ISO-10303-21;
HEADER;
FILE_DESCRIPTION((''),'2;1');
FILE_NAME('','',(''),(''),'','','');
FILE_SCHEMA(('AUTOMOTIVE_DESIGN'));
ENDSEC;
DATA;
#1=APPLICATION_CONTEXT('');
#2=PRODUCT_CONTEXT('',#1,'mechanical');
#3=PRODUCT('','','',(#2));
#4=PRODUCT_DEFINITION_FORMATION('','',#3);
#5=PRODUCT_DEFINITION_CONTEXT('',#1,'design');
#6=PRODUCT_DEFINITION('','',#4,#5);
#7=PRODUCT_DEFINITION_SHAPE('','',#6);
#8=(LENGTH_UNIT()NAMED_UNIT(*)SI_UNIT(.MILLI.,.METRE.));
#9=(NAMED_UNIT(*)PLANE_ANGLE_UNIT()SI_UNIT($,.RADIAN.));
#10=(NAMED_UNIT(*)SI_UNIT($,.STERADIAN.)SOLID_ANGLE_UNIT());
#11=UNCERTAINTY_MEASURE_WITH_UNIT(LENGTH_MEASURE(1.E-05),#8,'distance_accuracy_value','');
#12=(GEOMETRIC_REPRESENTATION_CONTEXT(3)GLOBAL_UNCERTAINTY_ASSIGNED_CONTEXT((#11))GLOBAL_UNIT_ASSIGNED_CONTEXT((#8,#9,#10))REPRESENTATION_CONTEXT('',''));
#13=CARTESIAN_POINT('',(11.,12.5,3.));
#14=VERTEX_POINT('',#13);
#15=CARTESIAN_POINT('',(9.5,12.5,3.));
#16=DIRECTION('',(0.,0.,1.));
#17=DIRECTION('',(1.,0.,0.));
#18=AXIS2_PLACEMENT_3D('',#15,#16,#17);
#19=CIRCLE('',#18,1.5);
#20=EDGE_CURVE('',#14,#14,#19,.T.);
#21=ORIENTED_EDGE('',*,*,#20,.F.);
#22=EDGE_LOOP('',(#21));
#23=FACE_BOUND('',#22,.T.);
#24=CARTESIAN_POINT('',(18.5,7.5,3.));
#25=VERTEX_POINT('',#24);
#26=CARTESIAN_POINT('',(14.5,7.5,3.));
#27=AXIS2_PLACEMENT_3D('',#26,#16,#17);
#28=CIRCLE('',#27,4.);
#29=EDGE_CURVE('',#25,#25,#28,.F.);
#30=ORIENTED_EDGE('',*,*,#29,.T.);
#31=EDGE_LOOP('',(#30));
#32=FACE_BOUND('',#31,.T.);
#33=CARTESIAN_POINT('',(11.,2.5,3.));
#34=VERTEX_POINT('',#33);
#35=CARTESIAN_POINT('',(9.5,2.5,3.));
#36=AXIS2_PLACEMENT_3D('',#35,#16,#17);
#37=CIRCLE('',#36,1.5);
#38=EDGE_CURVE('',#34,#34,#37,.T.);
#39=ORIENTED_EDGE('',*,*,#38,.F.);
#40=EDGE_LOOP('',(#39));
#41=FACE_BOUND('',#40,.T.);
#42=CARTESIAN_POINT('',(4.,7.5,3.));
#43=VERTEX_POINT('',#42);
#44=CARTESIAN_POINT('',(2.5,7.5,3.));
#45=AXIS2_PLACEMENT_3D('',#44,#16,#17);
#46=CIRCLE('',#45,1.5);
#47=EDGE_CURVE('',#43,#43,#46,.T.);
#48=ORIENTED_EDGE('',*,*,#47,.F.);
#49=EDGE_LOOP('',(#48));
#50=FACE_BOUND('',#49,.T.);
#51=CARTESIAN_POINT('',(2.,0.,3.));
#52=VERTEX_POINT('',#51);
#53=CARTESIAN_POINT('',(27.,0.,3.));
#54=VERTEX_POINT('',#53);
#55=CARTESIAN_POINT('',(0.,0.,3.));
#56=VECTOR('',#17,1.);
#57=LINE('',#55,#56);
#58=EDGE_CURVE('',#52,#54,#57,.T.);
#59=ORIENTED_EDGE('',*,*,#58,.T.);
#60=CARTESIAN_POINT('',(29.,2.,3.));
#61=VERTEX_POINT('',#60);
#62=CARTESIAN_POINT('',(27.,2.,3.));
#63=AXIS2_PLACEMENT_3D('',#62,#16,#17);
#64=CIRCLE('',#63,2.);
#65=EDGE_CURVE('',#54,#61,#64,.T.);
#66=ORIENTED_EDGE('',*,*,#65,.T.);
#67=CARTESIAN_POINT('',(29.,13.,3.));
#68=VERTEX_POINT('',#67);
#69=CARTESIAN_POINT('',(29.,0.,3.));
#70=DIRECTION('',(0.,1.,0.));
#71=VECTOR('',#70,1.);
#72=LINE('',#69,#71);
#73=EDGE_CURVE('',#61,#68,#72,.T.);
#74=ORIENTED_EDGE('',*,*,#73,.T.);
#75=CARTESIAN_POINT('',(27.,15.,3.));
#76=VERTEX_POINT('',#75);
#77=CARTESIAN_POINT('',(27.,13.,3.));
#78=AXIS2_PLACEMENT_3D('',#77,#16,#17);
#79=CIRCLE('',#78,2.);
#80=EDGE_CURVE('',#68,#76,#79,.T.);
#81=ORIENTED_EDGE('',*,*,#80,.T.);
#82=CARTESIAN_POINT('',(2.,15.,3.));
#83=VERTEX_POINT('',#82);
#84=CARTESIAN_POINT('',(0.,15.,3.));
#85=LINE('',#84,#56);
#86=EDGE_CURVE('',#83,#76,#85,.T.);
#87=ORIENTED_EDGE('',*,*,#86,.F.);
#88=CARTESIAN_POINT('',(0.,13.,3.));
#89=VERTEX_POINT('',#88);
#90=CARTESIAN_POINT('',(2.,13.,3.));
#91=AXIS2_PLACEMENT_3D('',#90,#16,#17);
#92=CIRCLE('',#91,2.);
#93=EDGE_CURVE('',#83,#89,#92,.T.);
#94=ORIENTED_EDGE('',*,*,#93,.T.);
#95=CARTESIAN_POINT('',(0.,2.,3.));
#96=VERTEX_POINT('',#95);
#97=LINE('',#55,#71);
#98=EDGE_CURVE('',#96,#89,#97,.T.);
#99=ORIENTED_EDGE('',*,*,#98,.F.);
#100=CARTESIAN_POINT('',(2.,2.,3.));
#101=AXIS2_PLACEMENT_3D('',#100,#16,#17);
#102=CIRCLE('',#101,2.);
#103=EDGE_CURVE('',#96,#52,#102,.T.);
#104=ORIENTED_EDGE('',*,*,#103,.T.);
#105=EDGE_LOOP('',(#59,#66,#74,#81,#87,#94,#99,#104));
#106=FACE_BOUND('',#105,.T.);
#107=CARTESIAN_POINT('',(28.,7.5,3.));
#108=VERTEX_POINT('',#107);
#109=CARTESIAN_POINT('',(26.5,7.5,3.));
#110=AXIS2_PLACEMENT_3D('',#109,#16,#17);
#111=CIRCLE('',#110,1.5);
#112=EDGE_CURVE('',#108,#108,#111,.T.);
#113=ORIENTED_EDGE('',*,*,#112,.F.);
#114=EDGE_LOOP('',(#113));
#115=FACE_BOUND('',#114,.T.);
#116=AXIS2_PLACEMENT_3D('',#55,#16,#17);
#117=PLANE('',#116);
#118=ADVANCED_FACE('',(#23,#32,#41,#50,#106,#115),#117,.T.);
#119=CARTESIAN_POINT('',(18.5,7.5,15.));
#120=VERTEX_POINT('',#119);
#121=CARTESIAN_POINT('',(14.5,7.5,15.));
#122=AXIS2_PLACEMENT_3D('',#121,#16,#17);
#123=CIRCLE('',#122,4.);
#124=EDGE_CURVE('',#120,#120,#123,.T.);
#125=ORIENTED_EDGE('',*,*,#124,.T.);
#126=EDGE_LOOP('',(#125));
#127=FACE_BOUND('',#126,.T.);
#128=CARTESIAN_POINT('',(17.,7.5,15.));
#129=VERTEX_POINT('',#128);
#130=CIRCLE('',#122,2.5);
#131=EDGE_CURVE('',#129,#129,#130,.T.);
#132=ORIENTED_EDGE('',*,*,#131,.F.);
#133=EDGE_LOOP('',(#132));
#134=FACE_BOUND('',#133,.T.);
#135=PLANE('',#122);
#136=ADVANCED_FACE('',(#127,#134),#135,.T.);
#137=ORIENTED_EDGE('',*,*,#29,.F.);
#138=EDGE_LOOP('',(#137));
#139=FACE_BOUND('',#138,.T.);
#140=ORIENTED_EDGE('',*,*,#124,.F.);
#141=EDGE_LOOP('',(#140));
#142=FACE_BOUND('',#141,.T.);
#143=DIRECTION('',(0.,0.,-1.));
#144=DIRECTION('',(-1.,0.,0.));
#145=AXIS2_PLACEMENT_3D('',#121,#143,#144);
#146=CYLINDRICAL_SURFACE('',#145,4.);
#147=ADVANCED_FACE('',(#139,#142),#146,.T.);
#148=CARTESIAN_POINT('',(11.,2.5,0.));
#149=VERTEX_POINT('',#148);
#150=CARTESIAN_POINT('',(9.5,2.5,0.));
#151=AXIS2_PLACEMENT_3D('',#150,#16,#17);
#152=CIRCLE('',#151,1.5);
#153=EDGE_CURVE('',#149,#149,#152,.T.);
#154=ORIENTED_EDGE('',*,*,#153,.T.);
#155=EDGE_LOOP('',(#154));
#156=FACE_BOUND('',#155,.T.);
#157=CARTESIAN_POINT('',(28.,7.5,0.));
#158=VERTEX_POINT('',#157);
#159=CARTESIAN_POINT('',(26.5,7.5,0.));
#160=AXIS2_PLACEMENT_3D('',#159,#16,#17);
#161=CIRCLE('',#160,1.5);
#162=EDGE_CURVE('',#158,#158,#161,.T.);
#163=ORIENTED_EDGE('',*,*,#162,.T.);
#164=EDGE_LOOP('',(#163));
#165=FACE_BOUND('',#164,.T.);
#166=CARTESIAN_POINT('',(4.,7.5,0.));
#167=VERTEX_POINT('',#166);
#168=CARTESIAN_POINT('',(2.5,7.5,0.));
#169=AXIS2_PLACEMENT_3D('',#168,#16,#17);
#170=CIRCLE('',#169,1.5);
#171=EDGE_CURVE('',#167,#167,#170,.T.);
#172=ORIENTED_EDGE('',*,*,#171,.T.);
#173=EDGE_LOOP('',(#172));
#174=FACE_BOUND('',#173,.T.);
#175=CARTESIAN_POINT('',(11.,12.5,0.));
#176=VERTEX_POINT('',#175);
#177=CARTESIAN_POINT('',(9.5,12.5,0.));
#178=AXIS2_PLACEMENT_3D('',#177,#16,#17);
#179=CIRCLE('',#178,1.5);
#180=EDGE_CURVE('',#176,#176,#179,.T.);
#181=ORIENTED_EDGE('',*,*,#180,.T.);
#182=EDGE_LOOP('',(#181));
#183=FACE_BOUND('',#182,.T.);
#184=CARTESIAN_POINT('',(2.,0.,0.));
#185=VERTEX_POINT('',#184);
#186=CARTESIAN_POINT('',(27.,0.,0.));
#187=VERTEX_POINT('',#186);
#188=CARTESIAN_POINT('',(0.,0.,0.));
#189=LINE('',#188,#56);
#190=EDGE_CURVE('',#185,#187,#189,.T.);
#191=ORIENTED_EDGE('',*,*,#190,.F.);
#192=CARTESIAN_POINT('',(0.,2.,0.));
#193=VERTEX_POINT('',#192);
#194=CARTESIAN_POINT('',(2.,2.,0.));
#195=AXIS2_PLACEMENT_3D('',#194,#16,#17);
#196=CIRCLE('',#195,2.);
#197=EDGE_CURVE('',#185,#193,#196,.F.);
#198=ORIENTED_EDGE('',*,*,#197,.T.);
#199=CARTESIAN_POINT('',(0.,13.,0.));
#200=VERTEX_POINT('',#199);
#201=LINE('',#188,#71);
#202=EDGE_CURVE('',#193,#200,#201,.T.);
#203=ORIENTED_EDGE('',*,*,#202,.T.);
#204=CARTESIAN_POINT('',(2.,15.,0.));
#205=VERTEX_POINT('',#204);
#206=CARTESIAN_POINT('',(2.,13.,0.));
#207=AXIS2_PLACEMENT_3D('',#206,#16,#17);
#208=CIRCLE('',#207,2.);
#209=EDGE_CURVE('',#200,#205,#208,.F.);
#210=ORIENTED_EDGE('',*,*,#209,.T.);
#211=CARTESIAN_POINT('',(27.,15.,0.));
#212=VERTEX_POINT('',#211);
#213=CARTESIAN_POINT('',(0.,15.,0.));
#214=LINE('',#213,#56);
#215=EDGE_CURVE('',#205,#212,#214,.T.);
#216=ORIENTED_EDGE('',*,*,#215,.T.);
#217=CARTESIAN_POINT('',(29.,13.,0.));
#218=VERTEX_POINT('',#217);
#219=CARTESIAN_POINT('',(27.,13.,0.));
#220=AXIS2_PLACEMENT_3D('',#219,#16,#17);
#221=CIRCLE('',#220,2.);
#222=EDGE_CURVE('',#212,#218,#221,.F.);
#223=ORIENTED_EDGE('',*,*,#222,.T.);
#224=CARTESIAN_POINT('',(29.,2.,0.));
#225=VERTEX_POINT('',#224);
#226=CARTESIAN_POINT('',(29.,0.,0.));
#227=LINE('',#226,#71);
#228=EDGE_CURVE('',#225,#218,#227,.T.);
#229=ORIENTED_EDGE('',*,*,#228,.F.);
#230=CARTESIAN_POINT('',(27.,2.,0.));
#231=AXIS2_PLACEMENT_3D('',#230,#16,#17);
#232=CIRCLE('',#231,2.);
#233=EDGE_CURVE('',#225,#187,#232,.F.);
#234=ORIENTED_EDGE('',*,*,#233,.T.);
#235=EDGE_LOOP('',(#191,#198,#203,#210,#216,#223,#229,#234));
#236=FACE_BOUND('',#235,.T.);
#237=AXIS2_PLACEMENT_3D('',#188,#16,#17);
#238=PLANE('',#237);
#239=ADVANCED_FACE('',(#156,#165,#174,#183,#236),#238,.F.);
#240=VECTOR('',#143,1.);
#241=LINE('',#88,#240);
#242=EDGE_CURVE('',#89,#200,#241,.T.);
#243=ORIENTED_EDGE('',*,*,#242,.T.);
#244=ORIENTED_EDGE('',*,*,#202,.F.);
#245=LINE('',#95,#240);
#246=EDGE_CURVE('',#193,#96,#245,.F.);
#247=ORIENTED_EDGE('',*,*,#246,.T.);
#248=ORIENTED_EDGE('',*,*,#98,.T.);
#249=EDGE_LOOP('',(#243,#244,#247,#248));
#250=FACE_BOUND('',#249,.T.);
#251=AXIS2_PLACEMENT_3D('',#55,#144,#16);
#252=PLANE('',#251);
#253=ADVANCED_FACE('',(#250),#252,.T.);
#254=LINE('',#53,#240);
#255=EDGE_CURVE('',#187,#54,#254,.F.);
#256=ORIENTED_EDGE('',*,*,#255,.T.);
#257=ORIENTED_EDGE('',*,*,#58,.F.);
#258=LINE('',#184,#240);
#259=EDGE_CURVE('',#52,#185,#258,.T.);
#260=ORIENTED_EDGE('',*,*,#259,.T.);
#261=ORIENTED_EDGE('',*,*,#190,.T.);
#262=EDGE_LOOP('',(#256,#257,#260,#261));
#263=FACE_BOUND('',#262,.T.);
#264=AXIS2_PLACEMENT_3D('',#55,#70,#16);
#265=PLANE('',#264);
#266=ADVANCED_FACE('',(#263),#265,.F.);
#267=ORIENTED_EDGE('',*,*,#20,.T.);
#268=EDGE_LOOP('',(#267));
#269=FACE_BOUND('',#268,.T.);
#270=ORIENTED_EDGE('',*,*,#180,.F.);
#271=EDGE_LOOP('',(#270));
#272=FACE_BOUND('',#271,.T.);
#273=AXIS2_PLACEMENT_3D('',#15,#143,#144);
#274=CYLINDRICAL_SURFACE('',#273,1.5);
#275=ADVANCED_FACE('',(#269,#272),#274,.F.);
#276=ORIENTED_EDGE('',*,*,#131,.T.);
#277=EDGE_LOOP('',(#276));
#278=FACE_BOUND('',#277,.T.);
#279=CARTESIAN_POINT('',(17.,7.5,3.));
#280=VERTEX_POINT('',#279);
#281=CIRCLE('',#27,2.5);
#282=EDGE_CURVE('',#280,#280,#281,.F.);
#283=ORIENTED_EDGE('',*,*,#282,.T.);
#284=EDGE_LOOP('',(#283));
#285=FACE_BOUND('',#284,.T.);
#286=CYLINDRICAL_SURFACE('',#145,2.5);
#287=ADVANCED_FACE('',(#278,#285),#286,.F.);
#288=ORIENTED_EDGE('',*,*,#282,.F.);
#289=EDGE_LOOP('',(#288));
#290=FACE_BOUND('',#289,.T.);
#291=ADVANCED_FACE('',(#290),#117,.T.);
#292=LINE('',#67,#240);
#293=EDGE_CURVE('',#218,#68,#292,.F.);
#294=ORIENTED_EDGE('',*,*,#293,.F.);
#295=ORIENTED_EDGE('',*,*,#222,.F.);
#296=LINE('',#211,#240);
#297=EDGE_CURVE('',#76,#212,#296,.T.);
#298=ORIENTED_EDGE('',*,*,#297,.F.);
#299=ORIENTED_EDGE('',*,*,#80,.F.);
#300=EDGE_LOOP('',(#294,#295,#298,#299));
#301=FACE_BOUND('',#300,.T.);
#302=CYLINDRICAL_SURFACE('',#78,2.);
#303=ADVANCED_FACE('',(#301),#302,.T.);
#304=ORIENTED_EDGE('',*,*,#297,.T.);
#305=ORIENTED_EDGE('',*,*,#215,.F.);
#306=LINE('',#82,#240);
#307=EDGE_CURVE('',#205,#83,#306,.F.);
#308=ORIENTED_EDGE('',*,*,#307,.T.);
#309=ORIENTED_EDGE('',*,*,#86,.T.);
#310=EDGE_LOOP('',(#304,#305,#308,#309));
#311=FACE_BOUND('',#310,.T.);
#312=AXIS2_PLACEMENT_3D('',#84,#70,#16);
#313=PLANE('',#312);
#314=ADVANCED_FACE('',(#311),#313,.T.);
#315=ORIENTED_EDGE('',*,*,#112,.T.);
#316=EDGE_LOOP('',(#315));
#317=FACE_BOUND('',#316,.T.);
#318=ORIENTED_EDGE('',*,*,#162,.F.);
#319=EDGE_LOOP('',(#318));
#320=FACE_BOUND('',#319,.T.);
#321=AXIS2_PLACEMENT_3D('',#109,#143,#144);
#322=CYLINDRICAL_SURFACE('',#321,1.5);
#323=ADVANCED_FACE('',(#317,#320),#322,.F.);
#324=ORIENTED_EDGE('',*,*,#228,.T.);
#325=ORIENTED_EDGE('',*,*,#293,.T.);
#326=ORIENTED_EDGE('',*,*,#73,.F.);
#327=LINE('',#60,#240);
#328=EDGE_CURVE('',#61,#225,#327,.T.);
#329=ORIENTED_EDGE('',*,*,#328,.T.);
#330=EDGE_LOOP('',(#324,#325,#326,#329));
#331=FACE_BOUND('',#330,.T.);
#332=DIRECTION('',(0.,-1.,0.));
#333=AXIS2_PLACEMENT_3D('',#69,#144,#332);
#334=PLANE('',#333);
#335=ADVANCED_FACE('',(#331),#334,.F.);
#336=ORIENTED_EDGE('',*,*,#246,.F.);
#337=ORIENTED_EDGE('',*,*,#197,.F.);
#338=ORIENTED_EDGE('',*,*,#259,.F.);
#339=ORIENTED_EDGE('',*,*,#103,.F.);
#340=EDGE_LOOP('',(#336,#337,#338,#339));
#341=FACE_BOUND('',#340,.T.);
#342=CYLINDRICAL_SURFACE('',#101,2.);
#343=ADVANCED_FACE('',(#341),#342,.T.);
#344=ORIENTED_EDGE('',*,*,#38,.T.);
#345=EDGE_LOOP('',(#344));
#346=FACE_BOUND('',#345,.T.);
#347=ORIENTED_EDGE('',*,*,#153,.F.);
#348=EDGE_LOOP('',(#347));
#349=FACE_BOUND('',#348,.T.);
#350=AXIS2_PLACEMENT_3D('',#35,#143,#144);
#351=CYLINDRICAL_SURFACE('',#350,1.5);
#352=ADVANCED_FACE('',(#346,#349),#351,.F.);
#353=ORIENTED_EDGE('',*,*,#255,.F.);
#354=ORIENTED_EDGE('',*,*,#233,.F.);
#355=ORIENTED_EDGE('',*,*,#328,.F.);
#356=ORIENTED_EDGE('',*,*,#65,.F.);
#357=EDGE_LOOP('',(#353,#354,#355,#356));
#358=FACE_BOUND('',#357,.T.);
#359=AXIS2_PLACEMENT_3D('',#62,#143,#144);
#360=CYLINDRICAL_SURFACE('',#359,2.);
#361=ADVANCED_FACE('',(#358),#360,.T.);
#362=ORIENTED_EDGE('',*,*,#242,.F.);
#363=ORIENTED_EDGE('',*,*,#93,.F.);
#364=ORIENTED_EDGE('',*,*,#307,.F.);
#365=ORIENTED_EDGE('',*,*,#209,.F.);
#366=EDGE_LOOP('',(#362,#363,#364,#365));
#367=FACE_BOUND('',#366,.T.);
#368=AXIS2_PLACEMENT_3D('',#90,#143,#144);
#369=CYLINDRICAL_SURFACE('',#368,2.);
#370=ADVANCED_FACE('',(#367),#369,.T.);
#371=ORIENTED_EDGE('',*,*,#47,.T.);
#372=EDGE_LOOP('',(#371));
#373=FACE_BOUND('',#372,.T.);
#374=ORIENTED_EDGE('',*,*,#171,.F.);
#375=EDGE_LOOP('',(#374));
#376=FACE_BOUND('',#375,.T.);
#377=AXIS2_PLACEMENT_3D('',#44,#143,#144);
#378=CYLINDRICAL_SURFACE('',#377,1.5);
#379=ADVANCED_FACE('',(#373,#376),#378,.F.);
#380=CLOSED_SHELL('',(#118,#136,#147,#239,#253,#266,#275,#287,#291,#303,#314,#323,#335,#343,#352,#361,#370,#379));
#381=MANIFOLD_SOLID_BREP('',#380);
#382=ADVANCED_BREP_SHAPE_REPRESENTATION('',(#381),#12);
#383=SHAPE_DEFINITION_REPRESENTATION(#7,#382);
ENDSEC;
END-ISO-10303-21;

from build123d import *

# Parameters (mm, degrees)
SKETCH_1_W        = 29
SKETCH_1_H        = 15
SKETCH_1_R        = 1.5
SKETCH_1_R_2      = 2.5
EXTRUDE_1_DEPTH   = 3
SKETCH_1_3_R      = 4
SKETCH_1_3_R_2    = 2.5
EXTRUDE_1_2_DEPTH = 15
FILLET_1_R        = 2


with BuildPart() as part:
    # 草图1 → Extrude 1 (new body)
    # profile 1 of 2: a face of its own
    with BuildSketch(Plane.XY):
        with Locations((14.5, 7.5)):
            Rectangle(SKETCH_1_W, SKETCH_1_H)
        with Locations((9.5, 2.5)):
            Circle(SKETCH_1_R, mode=Mode.SUBTRACT)
        with Locations((9.5, 12.5)):
            Circle(SKETCH_1_R, mode=Mode.SUBTRACT)
        with Locations((26.5, 7.5)):
            Circle(SKETCH_1_R, mode=Mode.SUBTRACT)
        with Locations((2.5, 7.5)):
            Circle(SKETCH_1_R, mode=Mode.SUBTRACT)
        with Locations((14.5, 7.5)):
            Circle(SKETCH_1_R_2, mode=Mode.SUBTRACT)
    # profile 2 of 2: a face of its own
    with BuildSketch(Plane.XY):
        with Locations((14.5, 7.5)):
            Circle(SKETCH_1_R_2)
    extrude(amount=EXTRUDE_1_DEPTH)

    # 草图1<3> → Extrude 1 2 (add)
    with BuildSketch(Plane.XY):
        with Locations((14.5, 7.5)):
            Circle(SKETCH_1_3_R)
        with Locations((14.5, 7.5)):
            Circle(SKETCH_1_3_R_2, mode=Mode.SUBTRACT)
    extrude(amount=EXTRUDE_1_2_DEPTH)

    # 圆角1
    fillet_1_edges = [part.edges().sort_by_distance(p)[0] for p in [
        (0, 0, 1.5),
        (0, 15, 1.5),
        (29, 15, 1.5),
        (29, 0, 1.5),
    ]]
    fillet(fillet_1_edges, radius=FILLET_1_R)


solid = part.part
